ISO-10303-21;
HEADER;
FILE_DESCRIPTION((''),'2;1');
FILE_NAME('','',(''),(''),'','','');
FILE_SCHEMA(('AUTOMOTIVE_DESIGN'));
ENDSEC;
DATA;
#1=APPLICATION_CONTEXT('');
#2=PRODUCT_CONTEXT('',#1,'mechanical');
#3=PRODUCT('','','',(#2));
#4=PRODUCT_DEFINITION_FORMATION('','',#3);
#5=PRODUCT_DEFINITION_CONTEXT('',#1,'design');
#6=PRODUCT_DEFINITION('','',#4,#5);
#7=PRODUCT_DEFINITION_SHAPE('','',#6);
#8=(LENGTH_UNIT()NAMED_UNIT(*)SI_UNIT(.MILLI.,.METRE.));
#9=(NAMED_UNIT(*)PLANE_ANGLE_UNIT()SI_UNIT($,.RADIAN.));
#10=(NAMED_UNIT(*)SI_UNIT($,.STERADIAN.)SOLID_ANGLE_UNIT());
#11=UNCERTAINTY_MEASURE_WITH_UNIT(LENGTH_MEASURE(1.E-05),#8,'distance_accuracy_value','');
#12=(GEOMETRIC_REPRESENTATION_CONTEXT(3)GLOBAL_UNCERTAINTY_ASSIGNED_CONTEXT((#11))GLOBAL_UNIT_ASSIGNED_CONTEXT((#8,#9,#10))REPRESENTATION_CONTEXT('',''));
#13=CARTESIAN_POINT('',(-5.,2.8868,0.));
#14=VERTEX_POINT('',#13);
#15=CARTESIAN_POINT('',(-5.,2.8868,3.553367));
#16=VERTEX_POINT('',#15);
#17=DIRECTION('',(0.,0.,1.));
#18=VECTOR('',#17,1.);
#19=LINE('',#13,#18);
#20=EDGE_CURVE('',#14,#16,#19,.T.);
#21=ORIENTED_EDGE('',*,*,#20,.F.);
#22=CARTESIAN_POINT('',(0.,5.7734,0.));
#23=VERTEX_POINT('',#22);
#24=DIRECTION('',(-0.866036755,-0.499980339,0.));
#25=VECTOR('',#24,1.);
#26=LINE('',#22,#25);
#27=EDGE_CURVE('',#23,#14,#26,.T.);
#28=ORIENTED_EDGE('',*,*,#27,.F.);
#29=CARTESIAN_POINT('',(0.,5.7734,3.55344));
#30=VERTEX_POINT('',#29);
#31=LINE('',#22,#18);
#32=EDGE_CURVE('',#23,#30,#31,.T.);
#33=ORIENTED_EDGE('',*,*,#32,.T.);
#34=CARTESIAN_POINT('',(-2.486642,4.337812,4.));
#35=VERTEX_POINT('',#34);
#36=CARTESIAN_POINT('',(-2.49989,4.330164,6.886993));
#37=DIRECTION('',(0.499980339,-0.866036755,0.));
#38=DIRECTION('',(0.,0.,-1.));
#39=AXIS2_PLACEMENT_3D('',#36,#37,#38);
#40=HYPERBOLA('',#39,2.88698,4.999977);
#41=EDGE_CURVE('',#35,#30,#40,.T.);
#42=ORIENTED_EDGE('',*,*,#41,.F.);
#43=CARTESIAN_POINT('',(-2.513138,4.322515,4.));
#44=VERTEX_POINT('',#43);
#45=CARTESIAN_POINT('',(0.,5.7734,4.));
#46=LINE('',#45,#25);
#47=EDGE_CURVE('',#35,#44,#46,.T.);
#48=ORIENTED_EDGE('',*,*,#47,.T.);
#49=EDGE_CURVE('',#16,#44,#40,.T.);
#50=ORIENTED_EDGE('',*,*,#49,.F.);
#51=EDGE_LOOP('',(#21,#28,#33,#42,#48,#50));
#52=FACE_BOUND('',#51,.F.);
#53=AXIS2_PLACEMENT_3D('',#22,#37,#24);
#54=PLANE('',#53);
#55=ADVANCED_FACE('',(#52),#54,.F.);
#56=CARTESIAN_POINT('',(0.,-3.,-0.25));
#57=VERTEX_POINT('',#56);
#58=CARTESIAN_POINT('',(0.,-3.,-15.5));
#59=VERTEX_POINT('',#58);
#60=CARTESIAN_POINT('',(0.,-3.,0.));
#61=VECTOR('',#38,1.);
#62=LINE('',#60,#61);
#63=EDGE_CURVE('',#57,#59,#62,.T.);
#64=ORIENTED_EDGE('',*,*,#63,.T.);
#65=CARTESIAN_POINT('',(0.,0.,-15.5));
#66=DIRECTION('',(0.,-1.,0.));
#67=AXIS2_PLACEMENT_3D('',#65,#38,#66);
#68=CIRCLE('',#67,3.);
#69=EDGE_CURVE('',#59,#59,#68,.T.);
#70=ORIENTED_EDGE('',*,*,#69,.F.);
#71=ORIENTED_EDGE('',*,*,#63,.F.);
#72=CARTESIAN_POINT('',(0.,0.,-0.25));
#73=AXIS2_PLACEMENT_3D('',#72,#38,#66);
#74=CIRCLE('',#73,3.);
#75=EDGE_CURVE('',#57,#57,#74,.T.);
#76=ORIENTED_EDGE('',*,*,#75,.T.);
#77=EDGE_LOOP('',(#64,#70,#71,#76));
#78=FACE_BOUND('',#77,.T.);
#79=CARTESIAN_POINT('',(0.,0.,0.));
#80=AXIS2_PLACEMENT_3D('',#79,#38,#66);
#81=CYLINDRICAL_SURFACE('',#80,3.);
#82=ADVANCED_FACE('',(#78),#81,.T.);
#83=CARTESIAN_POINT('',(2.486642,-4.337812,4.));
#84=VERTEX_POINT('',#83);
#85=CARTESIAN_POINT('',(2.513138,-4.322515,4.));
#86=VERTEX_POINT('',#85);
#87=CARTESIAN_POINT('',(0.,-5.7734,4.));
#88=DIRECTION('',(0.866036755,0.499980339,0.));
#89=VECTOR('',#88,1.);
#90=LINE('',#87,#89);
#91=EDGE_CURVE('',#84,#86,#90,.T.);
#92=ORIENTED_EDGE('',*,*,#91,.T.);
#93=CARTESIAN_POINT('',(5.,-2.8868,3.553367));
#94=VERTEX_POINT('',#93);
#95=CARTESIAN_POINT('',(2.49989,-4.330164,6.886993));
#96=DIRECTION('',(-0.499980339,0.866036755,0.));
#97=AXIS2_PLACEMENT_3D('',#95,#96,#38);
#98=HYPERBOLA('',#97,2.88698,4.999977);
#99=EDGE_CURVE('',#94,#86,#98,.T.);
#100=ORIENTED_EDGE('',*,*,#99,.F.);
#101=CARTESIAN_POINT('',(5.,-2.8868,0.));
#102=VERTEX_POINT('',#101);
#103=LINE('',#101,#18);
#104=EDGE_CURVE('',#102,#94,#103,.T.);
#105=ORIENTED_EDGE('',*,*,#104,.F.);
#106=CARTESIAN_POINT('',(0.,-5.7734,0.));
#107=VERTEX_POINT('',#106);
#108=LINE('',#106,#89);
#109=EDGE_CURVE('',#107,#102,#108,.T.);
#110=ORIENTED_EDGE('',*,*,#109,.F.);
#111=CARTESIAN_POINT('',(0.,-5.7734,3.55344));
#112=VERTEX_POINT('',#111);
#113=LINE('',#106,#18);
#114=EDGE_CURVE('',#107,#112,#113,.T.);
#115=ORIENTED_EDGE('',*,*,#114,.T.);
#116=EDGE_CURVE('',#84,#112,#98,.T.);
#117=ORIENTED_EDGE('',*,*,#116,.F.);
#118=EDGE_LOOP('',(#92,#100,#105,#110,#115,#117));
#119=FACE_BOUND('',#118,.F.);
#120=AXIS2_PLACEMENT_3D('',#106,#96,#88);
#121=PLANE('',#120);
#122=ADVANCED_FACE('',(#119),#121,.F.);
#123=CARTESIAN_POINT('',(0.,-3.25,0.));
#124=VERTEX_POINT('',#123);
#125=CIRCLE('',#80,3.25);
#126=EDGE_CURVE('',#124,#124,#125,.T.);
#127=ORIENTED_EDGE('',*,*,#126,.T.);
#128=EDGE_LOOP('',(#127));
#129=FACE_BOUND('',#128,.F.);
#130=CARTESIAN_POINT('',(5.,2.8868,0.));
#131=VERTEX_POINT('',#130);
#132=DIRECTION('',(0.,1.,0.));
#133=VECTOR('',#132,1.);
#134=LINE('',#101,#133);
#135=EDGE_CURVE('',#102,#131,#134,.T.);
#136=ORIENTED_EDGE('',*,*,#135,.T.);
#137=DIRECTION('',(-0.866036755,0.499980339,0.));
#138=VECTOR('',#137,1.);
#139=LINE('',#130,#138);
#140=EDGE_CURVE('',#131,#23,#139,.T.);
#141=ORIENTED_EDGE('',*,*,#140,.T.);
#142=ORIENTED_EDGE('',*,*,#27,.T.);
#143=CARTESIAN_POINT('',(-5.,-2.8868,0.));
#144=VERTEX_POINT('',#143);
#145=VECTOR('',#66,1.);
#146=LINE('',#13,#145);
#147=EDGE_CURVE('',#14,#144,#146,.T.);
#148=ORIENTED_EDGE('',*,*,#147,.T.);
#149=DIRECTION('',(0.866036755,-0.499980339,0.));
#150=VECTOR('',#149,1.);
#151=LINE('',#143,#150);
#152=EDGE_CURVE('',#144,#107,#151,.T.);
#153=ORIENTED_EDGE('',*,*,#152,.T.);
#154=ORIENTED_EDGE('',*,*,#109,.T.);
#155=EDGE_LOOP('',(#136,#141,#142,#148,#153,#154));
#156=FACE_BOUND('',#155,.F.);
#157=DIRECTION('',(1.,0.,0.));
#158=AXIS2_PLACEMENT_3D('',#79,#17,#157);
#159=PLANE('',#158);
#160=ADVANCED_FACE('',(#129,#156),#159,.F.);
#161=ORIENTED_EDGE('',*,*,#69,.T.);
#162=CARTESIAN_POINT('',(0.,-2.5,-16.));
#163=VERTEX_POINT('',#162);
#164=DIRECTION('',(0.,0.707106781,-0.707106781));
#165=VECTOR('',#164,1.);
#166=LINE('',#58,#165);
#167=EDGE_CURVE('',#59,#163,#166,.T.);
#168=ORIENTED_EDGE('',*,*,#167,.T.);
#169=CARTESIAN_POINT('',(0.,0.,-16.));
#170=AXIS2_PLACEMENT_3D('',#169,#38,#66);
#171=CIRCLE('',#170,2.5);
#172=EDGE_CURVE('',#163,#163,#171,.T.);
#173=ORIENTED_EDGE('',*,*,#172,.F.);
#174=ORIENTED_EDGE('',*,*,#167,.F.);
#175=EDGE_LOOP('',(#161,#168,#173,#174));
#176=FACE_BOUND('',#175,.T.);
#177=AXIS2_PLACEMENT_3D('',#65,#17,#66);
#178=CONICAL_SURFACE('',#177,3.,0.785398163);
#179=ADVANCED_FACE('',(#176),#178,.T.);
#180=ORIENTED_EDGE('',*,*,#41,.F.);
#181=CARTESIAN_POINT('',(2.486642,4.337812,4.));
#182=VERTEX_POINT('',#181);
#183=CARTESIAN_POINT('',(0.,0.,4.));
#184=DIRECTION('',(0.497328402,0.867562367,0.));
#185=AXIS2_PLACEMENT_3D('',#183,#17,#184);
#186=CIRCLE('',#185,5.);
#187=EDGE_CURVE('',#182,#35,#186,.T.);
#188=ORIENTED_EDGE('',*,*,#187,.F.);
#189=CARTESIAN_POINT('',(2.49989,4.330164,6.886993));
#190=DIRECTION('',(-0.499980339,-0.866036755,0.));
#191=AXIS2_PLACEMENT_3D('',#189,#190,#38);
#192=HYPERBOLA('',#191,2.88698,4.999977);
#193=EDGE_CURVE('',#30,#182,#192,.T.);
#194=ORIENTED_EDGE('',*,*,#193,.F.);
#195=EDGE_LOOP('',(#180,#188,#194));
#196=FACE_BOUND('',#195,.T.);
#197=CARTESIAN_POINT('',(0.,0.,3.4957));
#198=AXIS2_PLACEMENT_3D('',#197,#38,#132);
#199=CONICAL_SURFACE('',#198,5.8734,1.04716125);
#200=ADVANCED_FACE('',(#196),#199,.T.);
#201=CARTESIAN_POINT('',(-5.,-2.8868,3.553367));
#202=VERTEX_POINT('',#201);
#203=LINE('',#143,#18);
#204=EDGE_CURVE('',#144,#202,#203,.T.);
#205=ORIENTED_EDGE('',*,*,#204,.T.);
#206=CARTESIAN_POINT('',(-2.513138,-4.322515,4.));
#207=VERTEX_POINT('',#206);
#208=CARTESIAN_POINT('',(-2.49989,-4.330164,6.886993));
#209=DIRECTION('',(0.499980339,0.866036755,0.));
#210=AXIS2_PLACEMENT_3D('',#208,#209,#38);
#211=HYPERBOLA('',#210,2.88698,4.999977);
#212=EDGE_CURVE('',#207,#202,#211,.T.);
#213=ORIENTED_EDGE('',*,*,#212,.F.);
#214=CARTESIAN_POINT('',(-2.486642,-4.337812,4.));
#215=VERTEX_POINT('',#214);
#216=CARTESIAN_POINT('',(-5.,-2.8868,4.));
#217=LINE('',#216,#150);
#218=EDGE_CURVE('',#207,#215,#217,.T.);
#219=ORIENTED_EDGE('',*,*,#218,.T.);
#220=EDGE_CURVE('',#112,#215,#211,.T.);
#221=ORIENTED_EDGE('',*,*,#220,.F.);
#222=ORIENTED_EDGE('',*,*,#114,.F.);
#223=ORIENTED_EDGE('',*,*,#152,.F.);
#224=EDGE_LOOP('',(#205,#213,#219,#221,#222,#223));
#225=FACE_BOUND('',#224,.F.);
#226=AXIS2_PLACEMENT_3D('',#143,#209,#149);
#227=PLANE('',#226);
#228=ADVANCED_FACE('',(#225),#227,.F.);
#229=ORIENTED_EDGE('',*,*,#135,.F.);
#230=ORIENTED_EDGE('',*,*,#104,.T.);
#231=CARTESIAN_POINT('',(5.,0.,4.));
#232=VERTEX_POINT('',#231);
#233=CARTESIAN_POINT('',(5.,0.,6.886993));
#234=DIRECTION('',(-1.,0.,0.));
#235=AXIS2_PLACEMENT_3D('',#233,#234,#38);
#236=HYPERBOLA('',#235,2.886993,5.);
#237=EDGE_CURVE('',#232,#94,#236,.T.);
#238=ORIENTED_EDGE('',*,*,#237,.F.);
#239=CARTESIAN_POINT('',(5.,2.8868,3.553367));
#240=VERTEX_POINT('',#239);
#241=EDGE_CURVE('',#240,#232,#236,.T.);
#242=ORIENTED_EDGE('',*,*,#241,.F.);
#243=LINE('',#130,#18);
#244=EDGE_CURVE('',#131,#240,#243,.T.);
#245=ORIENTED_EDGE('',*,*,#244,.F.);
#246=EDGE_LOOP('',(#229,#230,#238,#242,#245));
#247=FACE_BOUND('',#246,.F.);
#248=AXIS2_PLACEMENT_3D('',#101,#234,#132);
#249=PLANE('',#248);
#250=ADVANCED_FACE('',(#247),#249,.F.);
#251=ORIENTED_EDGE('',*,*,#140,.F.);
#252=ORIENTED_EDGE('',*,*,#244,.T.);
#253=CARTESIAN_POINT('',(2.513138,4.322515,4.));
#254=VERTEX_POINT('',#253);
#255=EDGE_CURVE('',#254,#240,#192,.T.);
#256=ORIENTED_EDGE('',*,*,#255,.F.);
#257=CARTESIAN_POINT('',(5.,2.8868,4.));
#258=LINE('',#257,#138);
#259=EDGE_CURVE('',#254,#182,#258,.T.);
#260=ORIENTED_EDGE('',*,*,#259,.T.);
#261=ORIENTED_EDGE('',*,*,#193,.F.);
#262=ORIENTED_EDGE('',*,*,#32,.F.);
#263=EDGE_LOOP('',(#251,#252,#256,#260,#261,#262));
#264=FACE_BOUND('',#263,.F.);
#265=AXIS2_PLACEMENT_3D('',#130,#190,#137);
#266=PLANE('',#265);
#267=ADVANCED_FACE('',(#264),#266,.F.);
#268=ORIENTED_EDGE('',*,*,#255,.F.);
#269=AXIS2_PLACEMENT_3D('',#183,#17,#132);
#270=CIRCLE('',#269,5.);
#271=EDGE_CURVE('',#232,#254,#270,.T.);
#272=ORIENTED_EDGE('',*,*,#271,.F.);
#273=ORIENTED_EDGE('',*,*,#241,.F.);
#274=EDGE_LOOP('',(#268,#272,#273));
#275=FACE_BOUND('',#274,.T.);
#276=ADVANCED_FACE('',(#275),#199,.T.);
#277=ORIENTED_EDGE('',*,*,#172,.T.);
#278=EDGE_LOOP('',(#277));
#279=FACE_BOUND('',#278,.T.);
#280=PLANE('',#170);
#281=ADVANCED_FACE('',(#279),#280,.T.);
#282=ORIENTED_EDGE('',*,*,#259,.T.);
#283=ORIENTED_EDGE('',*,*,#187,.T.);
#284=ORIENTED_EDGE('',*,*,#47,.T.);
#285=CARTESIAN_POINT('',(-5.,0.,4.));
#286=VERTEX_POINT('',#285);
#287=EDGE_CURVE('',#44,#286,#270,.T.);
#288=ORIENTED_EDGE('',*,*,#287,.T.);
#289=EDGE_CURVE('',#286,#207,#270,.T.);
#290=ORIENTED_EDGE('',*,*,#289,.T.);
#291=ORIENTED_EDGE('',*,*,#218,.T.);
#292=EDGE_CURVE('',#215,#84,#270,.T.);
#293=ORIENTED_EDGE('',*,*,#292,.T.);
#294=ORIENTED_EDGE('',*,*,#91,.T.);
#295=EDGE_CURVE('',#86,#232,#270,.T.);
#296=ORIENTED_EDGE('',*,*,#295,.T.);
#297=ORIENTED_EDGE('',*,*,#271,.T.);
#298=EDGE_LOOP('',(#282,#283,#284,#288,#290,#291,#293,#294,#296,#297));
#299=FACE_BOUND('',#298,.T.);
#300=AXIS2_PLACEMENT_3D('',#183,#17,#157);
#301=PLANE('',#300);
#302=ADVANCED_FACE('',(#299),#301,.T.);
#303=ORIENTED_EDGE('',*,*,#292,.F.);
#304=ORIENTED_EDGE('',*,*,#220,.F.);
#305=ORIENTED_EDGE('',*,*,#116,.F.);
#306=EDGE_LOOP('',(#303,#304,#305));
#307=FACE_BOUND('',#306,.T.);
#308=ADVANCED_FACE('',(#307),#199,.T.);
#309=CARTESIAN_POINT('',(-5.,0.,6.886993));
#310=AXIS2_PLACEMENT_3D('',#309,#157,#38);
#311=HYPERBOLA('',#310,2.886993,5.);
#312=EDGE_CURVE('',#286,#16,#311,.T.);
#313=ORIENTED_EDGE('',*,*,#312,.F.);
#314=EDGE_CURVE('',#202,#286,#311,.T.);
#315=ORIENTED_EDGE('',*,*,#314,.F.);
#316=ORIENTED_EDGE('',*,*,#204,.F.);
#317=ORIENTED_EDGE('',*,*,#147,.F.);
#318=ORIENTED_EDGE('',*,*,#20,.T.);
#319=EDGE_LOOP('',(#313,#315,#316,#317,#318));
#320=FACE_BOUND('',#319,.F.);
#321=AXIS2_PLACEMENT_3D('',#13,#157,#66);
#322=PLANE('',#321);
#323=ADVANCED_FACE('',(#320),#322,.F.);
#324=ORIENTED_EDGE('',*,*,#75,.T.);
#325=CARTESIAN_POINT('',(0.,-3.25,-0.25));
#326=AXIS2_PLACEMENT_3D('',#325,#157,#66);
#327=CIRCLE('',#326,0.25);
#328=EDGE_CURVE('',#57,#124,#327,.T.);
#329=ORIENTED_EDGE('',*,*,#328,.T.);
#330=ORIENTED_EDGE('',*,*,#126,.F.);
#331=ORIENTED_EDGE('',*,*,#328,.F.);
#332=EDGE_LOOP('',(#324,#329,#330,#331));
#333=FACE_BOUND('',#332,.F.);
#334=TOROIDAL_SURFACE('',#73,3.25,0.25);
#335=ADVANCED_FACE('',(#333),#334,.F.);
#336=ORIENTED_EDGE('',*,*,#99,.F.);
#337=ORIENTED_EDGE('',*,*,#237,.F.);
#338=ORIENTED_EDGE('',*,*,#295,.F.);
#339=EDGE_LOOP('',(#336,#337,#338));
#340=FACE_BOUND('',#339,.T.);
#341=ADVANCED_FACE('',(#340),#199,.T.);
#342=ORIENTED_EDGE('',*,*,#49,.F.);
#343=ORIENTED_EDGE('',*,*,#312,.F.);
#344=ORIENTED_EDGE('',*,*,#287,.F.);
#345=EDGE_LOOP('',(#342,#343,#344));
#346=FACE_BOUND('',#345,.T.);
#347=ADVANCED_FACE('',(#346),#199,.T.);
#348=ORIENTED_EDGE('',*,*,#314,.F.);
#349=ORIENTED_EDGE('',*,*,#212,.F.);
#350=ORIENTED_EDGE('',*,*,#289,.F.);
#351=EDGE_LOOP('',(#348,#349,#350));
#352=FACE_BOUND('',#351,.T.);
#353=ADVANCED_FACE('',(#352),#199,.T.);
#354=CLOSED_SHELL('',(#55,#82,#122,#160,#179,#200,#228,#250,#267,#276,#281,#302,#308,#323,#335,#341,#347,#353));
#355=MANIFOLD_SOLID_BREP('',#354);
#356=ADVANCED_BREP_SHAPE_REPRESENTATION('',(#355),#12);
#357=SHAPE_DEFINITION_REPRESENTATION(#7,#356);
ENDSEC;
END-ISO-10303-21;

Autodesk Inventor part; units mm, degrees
ref_plane "WorkPlane1" through (0, 0, 0) normal (0, 0, 1) x (1, 0, 0)
sketch "Sketch1" plane through (0, 0, 0) normal (0, 0, 1) x (1, 0, 0)
  point P0 (0, 0)
sketch "Sketch2" plane through (0, 0, 0) normal (0, 0, 1) x (1, 0, 0)
  line L0 (-5, 2.8868) -> (-5, -2.8868)
  line L1 (0, 5.7734) -> (-5, 2.8868)
  line L2 (5, 2.8868) -> (0, 5.7734)
  line L3 (5, -2.8868) -> (5, 2.8868)
  line L4 (0, -5.7734) -> (5, -2.8868)
  line L5 (-5, -2.8868) -> (0, -5.7734)
  circle A0 centre (0, 0) radius 5 construction
  dimension "d1" = 10
  dimension "d29" = 0
  dimension "d30" = 0
extrude "Extrusion1" add sketch "Sketch2" along normal blind 4
sketch "Sketch3" plane through (0, 0, 0) normal (1, 0, 0) x (0, 1, 0)
  line L0 (5, 4) -> (5.8734, 4)
  line L1 (5.8734, 3.4957) -> (5, 4)
  line L2 (5.8734, 4) -> (5.8734, 3.4957)
  line L3 (0, -0.8) -> (0, 4.8) projected
  line L4 (5.7734, 0) -> (5.7734, 4) projected
  dimension "d25" = 0.1
  dimension "d26" = 0
  dimension "d27" = 60
  dimension "d28" = 5
revolve "Revolution1" cut sketch "Sketch3" angle 360 about axis through (0, 0, -10) along (0, 0, 1)
sketch "Sketch4" plane through (0, 0, 0) normal (1, 0, 0) x (0, 1, 0)
  line L0 (0, -16) -> (0, 0)
  line L1 (-3, -16) -> (0, -16)
  line L2 (-3, 0) -> (-3, -16)
  line L3 (0, 0) -> (-3, 0)
  line L4 (0, -16) -> (0, 0)
  line L5 (-3.6, 0) -> (0.6, 0) projected
  line L6 (0, -19.2) -> (0, 3.2) projected
  dimension "d18" = 3
  dimension "d20" = 16
  dimension "d33" = 0
  dimension "d34" = 0
revolve "Revolution2" add sketch "Sketch4" angle 360 about axis through (0, 0, -16) along (0, 0, -1)
chamfer "Chamfer1" distance 0.5 angle 45 1 edges at (0, 3, -16)
fillet "Fillet1" radius 0.25 1 edges at (0, 3, 0)
thread "Thread1" size "M6x1" class "6g" standard "ISO Metric profile" length 14
ref_plane "MSC_PF1" through (0, 0, 0) normal (1, 0, 0) x (0, 1, 0)
ref_plane "MSC_PT1" through (0, 0, 0) normal (0, 0, -1) x (-1, 0, 0)
equation "\"d22\" = 0.5 * PTC"
equation "\"d23\" = 0.5 * PTC"
equation "\"d24\" = r"
equation "\"d1\" = ParS"
equation "\"d6\" = ParK"
equation "\"b\" = NLG - 2 * PTC"
equation "\"d28\" = 0.5 * ParS"
equation "\"d18\" = 0.5 * NND"
equation "\"d20\" = NLG"
equation "\"NND\" = 6"
equation "\"NLG\" = 16"
equation "\"PTC\" = 1"
equation "\"ParK\" = 4"
equation "\"ParS\" = 10"
equation "\"msp_es\" = 0.577367 * ParS"
equation "\"r\" = 0.25"
equation "\"THREADDIA\" = NND"
properties part number "ISO 4018 - M6 x 16" material "Steel"
